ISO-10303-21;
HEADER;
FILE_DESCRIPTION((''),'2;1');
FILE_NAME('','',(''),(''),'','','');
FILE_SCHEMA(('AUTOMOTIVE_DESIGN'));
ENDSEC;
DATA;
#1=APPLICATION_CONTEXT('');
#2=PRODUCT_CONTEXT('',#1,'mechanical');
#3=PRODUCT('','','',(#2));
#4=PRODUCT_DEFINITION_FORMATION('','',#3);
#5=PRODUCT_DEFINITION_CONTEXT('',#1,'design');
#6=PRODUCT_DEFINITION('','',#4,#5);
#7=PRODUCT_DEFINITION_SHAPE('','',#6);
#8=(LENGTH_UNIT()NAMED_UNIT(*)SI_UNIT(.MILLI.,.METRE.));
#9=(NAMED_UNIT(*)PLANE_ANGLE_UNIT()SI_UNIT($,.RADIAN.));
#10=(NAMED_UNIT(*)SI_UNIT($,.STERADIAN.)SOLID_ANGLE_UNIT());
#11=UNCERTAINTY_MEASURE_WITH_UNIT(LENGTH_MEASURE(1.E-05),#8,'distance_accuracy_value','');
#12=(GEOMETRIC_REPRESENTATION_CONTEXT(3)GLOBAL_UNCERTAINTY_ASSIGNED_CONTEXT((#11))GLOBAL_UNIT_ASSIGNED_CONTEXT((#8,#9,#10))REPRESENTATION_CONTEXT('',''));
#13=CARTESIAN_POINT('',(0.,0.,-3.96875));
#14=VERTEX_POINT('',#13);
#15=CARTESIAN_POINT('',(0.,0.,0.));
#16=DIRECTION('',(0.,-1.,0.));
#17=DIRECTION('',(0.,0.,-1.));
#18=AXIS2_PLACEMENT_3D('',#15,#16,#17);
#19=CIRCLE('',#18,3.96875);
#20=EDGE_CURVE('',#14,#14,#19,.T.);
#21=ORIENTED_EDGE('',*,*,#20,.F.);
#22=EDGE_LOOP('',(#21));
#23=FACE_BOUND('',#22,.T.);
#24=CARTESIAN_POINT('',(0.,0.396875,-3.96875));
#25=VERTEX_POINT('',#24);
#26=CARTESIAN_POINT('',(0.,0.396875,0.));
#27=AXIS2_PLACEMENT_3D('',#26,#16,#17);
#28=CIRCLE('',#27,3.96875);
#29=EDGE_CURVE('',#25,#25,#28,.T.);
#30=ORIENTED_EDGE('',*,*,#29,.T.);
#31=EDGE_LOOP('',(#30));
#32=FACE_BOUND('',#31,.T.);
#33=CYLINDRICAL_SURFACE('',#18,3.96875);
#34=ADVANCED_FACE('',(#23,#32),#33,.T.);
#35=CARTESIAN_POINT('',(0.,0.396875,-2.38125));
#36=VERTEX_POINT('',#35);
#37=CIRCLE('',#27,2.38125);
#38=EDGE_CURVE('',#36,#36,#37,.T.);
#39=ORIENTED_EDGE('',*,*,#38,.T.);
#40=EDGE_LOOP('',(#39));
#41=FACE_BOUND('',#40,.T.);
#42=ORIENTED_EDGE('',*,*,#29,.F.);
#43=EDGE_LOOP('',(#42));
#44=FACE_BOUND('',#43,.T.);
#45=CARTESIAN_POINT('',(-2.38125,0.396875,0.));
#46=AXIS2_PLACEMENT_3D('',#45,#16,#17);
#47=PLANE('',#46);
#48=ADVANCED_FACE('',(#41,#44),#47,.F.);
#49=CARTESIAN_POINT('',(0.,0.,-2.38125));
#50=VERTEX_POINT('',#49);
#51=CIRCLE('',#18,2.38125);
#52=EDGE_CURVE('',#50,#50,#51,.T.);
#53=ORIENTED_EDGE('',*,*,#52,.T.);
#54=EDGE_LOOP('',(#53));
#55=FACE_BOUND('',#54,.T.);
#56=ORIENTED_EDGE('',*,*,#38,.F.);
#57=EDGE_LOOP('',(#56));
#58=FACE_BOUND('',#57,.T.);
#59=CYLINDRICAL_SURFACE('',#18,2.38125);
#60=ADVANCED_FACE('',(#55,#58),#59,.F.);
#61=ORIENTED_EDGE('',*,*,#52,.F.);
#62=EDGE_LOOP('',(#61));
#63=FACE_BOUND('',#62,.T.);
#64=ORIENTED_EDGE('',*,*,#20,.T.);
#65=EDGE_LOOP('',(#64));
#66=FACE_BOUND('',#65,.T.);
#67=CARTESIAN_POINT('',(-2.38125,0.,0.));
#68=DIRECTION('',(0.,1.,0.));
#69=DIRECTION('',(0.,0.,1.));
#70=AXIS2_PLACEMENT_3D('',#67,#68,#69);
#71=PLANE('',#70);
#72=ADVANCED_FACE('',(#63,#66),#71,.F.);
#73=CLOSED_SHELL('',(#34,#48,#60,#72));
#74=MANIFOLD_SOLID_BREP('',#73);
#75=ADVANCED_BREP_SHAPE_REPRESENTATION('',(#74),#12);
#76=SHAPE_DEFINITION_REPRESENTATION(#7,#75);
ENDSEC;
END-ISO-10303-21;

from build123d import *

# Parameters (mm, degrees)
SKETCH1_W = 1.5875
SKETCH1_H = 0.396875


with BuildPart() as part:
    # Sketch1 → Revolve1 (revolve)
    with BuildSketch(Plane.XY):
        with Locations((-3.175, 0.1984375)):
            Rectangle(SKETCH1_W, SKETCH1_H)
    revolve(axis=Axis((0, 0, 0), (0, 1, 0)))


solid = part.part
